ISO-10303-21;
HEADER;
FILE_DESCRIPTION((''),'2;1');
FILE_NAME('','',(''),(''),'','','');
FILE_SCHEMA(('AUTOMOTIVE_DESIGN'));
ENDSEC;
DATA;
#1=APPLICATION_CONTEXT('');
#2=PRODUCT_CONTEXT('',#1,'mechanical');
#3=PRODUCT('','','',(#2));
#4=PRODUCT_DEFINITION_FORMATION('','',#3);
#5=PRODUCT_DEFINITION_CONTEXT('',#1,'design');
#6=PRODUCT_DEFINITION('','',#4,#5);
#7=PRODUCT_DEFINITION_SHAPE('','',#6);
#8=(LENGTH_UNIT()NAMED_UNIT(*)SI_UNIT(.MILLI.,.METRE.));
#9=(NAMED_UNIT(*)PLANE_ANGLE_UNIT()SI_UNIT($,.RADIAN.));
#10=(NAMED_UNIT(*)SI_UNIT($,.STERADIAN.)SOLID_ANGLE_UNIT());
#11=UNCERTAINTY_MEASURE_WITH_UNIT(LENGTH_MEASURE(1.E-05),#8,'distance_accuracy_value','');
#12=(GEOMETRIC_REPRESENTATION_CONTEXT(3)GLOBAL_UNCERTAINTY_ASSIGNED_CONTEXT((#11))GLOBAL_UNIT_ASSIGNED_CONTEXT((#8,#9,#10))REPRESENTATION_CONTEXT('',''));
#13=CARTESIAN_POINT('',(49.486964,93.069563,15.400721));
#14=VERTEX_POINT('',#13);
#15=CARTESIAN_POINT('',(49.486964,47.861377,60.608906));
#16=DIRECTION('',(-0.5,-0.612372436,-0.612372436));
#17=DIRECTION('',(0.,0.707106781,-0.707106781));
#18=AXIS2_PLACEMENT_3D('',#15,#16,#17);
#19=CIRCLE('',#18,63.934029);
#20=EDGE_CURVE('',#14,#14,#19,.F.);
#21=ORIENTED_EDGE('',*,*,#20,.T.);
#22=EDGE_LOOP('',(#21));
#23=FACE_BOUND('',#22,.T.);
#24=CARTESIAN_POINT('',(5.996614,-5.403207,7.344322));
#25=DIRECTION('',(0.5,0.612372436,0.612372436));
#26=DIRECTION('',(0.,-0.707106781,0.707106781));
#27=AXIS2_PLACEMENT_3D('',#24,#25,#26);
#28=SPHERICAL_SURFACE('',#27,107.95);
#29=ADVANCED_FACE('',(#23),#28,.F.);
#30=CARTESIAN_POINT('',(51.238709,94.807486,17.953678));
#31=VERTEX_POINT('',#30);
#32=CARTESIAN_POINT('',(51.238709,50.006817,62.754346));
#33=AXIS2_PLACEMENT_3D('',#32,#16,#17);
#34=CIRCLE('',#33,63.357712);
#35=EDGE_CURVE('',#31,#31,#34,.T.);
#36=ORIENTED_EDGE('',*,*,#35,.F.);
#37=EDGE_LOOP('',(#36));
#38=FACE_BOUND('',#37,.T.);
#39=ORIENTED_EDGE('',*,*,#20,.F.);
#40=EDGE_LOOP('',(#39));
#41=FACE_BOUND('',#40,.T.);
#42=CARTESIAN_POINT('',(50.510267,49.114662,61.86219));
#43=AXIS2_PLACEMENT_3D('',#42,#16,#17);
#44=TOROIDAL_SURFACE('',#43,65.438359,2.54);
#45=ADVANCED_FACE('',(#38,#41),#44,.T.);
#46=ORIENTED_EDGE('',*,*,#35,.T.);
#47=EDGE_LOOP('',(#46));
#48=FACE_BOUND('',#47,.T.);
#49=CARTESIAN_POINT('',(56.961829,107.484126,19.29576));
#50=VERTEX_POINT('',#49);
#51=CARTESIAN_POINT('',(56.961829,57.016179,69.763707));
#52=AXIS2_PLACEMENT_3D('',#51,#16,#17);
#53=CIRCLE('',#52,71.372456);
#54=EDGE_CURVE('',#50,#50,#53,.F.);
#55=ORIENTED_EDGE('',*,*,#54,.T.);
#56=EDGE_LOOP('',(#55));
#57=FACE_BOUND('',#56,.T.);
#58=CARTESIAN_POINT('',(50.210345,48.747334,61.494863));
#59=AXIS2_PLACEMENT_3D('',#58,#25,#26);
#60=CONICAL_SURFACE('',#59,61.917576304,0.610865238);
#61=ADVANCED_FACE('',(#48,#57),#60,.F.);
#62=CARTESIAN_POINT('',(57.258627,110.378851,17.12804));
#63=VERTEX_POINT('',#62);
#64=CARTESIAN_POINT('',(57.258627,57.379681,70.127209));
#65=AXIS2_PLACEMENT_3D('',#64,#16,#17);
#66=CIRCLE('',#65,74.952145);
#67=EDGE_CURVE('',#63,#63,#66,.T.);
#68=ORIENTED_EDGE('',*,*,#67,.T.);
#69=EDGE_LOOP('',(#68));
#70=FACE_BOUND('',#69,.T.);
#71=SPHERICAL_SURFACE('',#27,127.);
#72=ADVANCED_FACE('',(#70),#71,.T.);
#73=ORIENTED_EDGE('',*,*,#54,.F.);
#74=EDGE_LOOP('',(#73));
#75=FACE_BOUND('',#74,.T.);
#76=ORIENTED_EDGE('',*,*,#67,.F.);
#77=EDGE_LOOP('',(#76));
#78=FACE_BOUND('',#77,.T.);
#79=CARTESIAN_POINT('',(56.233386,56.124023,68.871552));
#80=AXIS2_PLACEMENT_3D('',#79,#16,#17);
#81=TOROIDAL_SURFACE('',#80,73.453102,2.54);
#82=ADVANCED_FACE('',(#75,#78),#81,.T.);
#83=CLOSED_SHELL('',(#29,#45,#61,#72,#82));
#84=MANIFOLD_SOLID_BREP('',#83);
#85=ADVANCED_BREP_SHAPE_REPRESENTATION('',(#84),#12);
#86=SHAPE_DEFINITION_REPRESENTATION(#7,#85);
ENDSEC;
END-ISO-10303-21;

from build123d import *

# Parameters (mm, degrees)
FILLET1_R             = 2.54
BODY_MOVE_COPY1_ANGLE = 53.647435276


with BuildPart() as part:
    # Sketch1 → Revolve5 (revolve)
    with BuildSketch(Plane(origin=(0, 0, 0), x_dir=(0, 0, -1), z_dir=(1, 0, 0))):
        with BuildLine():
            Line((-72.844207417, 103.278008147), (-61.917576304, 87.673161704))
            ThreePointArc((-61.917576304, 87.673161704), (-102.953744833, -33.215492534), (0, -108.704301477))
            Line((0, -108.704301477), (0, -127.754301477))
            ThreePointArc((0, -127.754301477), (-121.122052745, -38.943938014), (-72.844207417, 103.278008147))
        make_face()
    revolve(axis=Axis((0, 75.583831792, 0), (0, -1, 0)))

    # Fillet1
    fillet1_edges = [part.edges().sort_by_distance(p)[0] for p in [
        (0, 103.278008147, -72.844207417),
        (0, 87.673161704, -61.917576304),
    ]]
    fillet(fillet1_edges, radius=FILLET1_R)


with BuildPart() as part_1:
    # Body-Move/Copy1: moved
    add(part.part.moved(Location((0, 0, 0))).rotate(Axis((2.292010946, -12.133386001, -1.482671109), (0.819160725, 0.219493455, -0.529904076)), BODY_MOVE_COPY1_ANGLE))


solid = part_1.part
